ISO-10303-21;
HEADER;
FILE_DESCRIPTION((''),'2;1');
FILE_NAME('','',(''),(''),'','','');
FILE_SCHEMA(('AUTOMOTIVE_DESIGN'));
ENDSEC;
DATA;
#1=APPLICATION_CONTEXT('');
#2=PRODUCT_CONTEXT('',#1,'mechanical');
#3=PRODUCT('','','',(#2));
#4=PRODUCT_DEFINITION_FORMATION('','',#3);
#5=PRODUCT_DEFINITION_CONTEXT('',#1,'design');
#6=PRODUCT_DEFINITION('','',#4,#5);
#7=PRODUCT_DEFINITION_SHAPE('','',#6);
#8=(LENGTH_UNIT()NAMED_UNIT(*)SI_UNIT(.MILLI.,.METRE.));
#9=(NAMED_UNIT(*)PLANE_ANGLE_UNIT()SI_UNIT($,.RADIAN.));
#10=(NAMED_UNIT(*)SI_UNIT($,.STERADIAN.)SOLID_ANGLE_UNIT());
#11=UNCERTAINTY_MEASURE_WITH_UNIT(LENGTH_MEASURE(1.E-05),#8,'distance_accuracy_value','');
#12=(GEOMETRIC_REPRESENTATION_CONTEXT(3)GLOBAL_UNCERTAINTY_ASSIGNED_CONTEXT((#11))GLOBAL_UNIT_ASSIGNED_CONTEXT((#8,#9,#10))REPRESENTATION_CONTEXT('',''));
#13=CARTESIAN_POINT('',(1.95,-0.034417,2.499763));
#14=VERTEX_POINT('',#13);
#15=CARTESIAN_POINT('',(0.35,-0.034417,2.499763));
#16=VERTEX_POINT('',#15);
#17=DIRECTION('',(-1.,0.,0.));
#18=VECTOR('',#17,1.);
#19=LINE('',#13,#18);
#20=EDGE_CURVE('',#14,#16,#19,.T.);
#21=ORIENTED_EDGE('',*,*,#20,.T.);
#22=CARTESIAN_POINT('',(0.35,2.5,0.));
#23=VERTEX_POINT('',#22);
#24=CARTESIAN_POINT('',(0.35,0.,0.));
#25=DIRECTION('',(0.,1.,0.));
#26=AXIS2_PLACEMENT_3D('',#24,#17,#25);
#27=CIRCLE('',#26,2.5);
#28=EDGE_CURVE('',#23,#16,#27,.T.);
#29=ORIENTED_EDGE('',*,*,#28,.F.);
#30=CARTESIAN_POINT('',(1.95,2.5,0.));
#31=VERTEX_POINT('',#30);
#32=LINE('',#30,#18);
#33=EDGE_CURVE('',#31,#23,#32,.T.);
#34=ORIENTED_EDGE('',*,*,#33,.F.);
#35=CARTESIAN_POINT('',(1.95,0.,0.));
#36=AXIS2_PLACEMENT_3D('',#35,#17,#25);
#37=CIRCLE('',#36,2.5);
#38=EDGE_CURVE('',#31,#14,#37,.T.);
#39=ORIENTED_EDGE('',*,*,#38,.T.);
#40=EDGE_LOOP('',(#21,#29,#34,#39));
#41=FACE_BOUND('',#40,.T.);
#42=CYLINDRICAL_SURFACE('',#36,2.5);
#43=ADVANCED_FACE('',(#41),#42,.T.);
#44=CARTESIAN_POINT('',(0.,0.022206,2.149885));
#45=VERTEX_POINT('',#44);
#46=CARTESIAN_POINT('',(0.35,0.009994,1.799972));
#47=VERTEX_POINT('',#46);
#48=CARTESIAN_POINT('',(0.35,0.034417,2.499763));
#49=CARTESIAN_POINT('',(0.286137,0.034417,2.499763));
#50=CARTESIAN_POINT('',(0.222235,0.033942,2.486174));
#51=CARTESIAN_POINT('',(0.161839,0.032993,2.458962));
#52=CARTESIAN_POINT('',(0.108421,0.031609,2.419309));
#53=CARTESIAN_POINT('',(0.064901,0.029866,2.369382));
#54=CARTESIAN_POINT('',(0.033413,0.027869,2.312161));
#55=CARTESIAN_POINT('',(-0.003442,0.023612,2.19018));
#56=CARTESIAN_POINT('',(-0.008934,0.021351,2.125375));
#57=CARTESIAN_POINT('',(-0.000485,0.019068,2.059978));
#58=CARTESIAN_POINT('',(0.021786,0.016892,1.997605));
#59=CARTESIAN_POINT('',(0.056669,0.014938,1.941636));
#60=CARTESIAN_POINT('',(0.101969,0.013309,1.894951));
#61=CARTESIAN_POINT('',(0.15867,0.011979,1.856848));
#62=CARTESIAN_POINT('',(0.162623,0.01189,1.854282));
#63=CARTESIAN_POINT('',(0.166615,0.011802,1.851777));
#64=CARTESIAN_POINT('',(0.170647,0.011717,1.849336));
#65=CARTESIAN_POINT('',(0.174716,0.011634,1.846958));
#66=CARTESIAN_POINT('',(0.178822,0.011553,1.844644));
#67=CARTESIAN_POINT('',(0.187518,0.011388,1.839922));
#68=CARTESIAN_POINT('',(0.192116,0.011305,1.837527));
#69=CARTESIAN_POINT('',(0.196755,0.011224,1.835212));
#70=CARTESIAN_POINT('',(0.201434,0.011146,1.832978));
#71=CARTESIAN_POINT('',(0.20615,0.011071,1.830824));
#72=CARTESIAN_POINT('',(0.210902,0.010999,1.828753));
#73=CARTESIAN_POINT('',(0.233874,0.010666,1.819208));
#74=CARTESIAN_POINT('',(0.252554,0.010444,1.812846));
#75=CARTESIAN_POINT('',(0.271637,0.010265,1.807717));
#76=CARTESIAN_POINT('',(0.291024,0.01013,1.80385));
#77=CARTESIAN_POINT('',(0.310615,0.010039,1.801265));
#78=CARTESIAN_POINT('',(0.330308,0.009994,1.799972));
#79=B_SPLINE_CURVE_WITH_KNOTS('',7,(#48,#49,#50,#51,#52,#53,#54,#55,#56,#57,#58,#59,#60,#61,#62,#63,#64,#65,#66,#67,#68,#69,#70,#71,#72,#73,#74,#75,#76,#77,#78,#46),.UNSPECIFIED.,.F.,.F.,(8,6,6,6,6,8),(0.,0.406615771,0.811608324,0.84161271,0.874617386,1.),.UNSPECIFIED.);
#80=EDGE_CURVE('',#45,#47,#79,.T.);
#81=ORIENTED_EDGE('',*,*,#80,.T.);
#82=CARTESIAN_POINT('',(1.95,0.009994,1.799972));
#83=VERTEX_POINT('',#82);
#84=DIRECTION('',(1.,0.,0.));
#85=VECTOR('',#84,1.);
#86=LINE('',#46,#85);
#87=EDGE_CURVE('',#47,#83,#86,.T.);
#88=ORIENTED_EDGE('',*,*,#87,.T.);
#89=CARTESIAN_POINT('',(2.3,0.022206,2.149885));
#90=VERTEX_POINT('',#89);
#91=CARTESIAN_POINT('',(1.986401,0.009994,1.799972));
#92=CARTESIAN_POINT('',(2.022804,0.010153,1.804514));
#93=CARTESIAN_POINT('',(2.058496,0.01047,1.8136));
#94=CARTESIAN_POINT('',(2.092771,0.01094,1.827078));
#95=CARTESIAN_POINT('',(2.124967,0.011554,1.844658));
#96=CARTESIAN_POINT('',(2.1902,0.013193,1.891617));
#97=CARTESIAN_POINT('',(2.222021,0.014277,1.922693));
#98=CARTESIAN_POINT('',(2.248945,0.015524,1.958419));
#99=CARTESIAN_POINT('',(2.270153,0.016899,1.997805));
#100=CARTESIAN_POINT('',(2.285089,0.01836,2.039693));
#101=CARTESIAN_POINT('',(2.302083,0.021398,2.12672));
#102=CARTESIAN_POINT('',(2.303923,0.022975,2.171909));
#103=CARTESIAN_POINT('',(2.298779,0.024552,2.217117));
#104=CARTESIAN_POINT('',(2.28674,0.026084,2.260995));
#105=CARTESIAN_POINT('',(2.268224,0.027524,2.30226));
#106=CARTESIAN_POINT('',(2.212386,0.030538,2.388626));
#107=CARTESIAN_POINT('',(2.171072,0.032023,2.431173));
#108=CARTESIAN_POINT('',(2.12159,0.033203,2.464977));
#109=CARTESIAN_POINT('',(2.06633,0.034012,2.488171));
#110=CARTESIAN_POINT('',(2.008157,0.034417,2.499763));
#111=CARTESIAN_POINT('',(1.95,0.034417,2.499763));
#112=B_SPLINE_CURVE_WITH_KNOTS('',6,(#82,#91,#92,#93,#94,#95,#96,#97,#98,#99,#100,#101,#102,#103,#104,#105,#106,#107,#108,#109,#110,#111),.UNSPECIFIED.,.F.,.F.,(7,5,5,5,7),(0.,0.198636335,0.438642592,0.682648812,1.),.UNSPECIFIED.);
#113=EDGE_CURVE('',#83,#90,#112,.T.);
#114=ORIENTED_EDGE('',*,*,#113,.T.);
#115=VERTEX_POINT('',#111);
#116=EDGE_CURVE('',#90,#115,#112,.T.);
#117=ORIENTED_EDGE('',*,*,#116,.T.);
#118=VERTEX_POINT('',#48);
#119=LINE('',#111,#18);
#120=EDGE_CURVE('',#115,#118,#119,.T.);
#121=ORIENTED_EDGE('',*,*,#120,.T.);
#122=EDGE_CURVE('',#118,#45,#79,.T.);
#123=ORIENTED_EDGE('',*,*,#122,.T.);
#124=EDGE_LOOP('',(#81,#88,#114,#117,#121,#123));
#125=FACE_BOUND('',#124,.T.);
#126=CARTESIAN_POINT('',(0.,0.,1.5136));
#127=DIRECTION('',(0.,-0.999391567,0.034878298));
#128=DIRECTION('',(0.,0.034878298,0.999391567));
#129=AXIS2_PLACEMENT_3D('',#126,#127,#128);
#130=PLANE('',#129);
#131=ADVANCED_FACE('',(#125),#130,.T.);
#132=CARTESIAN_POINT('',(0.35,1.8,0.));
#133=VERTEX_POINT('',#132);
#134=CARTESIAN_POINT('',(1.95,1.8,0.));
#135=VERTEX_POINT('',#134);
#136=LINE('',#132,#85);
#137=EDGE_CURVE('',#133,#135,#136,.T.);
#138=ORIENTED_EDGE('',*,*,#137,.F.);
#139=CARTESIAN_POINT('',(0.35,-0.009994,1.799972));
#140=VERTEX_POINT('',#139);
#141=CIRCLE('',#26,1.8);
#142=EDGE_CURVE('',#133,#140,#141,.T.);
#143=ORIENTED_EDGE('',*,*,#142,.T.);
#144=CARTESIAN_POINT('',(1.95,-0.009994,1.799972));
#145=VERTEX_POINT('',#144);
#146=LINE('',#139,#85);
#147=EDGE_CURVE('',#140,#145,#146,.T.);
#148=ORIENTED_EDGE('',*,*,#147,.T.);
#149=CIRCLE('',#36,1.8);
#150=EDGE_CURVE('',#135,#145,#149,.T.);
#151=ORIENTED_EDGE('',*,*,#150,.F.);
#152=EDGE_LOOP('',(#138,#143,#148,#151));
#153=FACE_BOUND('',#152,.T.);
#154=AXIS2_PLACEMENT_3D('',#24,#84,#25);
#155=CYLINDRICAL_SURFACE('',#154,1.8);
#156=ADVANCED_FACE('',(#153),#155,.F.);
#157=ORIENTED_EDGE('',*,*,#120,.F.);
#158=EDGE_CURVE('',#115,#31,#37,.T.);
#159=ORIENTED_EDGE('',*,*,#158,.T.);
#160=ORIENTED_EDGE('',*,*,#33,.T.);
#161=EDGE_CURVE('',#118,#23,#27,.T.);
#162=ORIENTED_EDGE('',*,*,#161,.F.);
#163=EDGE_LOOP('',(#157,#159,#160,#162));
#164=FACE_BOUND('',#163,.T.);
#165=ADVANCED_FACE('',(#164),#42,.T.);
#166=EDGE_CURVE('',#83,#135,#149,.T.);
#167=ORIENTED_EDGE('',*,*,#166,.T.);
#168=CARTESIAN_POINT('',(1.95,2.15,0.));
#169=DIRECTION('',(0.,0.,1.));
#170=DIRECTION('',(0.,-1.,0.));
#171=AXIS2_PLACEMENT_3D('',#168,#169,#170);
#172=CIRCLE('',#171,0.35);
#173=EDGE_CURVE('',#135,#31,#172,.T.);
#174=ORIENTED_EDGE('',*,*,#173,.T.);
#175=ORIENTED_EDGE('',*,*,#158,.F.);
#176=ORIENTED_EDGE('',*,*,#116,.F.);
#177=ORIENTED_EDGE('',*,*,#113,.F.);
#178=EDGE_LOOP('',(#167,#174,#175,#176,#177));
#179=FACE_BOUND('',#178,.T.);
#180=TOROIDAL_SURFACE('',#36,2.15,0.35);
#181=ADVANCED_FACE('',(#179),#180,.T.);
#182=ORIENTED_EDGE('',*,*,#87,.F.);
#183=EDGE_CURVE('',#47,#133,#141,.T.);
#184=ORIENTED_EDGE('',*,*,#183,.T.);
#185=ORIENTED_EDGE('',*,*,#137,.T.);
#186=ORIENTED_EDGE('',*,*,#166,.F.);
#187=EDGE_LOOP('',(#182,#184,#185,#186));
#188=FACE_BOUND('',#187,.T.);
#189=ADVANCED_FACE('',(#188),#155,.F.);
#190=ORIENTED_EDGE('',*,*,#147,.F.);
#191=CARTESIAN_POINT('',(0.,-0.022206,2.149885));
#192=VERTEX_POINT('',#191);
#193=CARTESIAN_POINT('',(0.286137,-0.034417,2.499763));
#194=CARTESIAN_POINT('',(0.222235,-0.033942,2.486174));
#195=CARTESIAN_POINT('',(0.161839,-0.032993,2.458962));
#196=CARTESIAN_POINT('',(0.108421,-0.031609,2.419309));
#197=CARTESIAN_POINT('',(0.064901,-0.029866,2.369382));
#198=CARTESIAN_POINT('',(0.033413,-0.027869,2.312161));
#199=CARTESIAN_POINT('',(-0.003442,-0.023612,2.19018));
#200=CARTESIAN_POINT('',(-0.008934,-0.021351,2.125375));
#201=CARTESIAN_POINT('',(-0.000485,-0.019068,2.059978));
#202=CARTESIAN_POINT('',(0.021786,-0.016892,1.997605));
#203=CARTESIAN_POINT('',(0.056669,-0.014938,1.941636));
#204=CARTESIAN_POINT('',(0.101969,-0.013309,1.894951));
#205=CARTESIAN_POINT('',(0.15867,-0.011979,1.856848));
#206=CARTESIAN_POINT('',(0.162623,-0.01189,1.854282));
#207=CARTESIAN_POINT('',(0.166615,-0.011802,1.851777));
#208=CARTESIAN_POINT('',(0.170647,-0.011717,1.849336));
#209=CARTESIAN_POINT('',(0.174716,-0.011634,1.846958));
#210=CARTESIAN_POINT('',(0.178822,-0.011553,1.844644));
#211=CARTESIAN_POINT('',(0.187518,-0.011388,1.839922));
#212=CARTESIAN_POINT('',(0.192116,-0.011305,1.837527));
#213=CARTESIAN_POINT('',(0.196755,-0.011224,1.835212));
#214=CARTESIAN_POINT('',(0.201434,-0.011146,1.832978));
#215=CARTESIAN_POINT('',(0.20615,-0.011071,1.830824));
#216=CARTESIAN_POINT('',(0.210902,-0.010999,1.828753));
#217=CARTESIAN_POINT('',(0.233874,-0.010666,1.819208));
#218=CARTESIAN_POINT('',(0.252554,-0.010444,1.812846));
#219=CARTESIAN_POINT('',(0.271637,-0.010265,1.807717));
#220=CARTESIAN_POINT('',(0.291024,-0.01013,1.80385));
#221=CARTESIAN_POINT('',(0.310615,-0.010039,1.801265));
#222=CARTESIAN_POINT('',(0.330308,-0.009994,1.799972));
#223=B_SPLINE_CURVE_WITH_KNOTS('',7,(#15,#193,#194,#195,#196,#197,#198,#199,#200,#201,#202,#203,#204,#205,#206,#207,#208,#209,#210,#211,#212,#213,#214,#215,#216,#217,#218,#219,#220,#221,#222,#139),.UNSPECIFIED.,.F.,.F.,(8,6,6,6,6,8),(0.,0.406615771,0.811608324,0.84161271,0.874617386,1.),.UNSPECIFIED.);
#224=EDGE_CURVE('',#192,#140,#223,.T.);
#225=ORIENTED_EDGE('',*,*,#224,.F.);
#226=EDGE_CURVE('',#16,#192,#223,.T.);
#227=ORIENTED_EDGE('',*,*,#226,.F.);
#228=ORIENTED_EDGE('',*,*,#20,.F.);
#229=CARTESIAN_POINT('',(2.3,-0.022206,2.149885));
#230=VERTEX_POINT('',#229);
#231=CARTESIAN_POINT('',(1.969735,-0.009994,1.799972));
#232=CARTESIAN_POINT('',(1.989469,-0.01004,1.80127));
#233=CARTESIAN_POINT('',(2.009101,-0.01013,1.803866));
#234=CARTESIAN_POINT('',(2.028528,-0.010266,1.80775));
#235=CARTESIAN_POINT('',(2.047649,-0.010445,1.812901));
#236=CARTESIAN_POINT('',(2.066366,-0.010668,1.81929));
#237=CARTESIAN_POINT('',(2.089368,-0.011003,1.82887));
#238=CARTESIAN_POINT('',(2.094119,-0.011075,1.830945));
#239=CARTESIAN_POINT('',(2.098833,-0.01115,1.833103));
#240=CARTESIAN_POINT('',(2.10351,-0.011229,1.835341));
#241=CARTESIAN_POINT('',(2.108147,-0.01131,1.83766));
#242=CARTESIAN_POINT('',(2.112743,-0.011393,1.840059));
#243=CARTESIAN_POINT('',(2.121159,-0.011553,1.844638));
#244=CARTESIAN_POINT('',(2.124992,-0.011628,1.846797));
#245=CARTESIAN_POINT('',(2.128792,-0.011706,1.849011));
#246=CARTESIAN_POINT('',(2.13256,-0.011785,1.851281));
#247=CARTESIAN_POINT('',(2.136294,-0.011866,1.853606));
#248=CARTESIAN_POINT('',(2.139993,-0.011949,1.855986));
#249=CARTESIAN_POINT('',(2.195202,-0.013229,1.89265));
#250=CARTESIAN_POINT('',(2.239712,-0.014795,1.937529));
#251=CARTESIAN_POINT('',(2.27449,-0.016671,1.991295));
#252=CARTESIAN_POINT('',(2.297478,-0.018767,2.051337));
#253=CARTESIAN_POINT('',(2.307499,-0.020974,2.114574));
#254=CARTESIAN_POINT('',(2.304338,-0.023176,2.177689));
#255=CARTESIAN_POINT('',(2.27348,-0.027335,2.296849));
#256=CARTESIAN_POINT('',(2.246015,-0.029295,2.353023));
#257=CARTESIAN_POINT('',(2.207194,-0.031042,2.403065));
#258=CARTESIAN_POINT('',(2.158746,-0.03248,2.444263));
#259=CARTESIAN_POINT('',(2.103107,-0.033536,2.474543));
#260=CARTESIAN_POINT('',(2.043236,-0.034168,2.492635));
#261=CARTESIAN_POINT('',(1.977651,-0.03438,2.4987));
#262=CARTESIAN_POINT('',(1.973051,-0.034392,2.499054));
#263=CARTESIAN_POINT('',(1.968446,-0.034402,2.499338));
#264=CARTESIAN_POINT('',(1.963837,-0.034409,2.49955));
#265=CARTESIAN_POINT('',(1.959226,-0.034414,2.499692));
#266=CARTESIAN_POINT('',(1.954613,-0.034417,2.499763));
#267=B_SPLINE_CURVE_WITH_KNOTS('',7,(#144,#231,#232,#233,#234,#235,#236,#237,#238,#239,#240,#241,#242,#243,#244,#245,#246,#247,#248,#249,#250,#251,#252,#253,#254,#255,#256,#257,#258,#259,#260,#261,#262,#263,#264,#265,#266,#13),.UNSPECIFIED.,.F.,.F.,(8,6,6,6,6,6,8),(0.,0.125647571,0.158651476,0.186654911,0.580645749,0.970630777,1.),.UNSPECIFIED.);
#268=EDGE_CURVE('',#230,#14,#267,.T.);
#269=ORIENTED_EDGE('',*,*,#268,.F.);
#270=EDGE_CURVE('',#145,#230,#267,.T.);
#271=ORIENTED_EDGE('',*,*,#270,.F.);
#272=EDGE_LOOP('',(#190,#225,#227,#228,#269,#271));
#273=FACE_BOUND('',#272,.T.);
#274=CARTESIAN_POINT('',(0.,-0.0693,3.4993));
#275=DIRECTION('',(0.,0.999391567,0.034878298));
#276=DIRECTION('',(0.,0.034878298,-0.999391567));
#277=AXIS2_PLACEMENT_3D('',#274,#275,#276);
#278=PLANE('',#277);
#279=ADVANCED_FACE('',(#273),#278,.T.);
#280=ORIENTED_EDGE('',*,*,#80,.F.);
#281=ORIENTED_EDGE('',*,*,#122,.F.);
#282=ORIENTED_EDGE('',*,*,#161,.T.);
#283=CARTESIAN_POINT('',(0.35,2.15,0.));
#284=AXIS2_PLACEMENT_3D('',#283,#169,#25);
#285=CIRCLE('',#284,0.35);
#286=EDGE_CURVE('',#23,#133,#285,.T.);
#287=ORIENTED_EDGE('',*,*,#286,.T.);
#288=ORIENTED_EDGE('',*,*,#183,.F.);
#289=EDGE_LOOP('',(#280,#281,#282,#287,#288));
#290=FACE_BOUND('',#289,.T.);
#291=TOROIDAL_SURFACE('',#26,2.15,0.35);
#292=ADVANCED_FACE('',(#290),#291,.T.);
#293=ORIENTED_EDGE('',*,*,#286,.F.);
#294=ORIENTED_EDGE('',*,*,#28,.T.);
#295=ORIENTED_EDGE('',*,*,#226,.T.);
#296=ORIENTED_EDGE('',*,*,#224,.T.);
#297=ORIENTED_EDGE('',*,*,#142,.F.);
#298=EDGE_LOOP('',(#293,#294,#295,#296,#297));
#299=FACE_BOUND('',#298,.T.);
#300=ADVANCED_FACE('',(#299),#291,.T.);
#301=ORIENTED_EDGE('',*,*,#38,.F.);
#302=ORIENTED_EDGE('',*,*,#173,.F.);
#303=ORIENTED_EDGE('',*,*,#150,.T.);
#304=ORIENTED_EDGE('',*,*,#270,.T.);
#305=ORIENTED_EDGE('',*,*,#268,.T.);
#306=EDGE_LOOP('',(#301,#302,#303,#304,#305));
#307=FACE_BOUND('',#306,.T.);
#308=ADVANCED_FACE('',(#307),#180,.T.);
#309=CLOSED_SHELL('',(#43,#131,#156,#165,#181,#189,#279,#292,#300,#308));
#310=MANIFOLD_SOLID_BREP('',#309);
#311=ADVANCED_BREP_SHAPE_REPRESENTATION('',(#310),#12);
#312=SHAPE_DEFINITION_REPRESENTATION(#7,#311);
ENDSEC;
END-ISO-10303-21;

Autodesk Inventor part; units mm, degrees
sketch "Sketch_3" plane through (0, 0, 0) normal (0, 0, 1) x (1, 0, 0)
  line L0 (2.3, 0) -> (0, 0)
  arc A0 (0.35, 2.5) -> (0.35, 1.8) centre (0.35, 2.15) ccw
  line L1 (0.35, 1.8) -> (1.95, 1.8)
  arc A1 (1.95, 1.8) -> (1.95, 2.5) centre (1.95, 2.15) ccw
  line L2 (1.95, 2.5) -> (0.35, 2.5)
revolve "Revolution1" add sketch "Sketch_3" angle 360 about axis through (2.3, 0, 0) along (-1, 0, 0)
sketch "Sketch_4" plane through (0, 0, 0) normal (1, 0, 0) x (0, 1, 0)
  arc A0 (0.0693, 3.4993) -> (-0.0693, 3.4993) centre (0, 0) ccw
  line L0 (-0.0693, 3.4993) -> (0, 1.5136)
  line L1 (0, 1.5136) -> (0.0693, 3.4993)
extrude "Extrusion1" cut sketch "Sketch_4" along normal blind 2.3
ref_plane "ANBAU_XY" through (0, 0, 0) normal (1, 0, 0) x (0, 0, -1)
ref_plane "ANBAU_YZ" through (0, 0, 0) normal (0, 0, -1) x (0, 1, 0)
ref_plane "ANBAU_ZX" through (0, 0, 0) normal (0, 1, 0) x (1, 0, 0)
ref_plane "insert_XY" through (0, 0, 0) normal (1, 0, 0) x (0, 0, -1)
ref_plane "insert_YZ" through (0, 0, 0) normal (0, 0, -1) x (0, 1, 0)
ref_plane "insert_ZX" through (0, 0, 0) normal (0, 1, 0) x (1, 0, 0)
ref_plane "schraube_punkt_XY" through (2.3, 0, 0) normal (1, 0, 0) x (0, 0, -1)
ref_plane "schraube_punkt_YZ" through (2.3, 0, 0) normal (0, 0, -1) x (0, 1, 0)
ref_plane "schraube_punkt_ZX" through (2.3, 0, 0) normal (0, 1, 0) x (1, 0, 0)
properties part number "8146543 ZBH-5-B"
